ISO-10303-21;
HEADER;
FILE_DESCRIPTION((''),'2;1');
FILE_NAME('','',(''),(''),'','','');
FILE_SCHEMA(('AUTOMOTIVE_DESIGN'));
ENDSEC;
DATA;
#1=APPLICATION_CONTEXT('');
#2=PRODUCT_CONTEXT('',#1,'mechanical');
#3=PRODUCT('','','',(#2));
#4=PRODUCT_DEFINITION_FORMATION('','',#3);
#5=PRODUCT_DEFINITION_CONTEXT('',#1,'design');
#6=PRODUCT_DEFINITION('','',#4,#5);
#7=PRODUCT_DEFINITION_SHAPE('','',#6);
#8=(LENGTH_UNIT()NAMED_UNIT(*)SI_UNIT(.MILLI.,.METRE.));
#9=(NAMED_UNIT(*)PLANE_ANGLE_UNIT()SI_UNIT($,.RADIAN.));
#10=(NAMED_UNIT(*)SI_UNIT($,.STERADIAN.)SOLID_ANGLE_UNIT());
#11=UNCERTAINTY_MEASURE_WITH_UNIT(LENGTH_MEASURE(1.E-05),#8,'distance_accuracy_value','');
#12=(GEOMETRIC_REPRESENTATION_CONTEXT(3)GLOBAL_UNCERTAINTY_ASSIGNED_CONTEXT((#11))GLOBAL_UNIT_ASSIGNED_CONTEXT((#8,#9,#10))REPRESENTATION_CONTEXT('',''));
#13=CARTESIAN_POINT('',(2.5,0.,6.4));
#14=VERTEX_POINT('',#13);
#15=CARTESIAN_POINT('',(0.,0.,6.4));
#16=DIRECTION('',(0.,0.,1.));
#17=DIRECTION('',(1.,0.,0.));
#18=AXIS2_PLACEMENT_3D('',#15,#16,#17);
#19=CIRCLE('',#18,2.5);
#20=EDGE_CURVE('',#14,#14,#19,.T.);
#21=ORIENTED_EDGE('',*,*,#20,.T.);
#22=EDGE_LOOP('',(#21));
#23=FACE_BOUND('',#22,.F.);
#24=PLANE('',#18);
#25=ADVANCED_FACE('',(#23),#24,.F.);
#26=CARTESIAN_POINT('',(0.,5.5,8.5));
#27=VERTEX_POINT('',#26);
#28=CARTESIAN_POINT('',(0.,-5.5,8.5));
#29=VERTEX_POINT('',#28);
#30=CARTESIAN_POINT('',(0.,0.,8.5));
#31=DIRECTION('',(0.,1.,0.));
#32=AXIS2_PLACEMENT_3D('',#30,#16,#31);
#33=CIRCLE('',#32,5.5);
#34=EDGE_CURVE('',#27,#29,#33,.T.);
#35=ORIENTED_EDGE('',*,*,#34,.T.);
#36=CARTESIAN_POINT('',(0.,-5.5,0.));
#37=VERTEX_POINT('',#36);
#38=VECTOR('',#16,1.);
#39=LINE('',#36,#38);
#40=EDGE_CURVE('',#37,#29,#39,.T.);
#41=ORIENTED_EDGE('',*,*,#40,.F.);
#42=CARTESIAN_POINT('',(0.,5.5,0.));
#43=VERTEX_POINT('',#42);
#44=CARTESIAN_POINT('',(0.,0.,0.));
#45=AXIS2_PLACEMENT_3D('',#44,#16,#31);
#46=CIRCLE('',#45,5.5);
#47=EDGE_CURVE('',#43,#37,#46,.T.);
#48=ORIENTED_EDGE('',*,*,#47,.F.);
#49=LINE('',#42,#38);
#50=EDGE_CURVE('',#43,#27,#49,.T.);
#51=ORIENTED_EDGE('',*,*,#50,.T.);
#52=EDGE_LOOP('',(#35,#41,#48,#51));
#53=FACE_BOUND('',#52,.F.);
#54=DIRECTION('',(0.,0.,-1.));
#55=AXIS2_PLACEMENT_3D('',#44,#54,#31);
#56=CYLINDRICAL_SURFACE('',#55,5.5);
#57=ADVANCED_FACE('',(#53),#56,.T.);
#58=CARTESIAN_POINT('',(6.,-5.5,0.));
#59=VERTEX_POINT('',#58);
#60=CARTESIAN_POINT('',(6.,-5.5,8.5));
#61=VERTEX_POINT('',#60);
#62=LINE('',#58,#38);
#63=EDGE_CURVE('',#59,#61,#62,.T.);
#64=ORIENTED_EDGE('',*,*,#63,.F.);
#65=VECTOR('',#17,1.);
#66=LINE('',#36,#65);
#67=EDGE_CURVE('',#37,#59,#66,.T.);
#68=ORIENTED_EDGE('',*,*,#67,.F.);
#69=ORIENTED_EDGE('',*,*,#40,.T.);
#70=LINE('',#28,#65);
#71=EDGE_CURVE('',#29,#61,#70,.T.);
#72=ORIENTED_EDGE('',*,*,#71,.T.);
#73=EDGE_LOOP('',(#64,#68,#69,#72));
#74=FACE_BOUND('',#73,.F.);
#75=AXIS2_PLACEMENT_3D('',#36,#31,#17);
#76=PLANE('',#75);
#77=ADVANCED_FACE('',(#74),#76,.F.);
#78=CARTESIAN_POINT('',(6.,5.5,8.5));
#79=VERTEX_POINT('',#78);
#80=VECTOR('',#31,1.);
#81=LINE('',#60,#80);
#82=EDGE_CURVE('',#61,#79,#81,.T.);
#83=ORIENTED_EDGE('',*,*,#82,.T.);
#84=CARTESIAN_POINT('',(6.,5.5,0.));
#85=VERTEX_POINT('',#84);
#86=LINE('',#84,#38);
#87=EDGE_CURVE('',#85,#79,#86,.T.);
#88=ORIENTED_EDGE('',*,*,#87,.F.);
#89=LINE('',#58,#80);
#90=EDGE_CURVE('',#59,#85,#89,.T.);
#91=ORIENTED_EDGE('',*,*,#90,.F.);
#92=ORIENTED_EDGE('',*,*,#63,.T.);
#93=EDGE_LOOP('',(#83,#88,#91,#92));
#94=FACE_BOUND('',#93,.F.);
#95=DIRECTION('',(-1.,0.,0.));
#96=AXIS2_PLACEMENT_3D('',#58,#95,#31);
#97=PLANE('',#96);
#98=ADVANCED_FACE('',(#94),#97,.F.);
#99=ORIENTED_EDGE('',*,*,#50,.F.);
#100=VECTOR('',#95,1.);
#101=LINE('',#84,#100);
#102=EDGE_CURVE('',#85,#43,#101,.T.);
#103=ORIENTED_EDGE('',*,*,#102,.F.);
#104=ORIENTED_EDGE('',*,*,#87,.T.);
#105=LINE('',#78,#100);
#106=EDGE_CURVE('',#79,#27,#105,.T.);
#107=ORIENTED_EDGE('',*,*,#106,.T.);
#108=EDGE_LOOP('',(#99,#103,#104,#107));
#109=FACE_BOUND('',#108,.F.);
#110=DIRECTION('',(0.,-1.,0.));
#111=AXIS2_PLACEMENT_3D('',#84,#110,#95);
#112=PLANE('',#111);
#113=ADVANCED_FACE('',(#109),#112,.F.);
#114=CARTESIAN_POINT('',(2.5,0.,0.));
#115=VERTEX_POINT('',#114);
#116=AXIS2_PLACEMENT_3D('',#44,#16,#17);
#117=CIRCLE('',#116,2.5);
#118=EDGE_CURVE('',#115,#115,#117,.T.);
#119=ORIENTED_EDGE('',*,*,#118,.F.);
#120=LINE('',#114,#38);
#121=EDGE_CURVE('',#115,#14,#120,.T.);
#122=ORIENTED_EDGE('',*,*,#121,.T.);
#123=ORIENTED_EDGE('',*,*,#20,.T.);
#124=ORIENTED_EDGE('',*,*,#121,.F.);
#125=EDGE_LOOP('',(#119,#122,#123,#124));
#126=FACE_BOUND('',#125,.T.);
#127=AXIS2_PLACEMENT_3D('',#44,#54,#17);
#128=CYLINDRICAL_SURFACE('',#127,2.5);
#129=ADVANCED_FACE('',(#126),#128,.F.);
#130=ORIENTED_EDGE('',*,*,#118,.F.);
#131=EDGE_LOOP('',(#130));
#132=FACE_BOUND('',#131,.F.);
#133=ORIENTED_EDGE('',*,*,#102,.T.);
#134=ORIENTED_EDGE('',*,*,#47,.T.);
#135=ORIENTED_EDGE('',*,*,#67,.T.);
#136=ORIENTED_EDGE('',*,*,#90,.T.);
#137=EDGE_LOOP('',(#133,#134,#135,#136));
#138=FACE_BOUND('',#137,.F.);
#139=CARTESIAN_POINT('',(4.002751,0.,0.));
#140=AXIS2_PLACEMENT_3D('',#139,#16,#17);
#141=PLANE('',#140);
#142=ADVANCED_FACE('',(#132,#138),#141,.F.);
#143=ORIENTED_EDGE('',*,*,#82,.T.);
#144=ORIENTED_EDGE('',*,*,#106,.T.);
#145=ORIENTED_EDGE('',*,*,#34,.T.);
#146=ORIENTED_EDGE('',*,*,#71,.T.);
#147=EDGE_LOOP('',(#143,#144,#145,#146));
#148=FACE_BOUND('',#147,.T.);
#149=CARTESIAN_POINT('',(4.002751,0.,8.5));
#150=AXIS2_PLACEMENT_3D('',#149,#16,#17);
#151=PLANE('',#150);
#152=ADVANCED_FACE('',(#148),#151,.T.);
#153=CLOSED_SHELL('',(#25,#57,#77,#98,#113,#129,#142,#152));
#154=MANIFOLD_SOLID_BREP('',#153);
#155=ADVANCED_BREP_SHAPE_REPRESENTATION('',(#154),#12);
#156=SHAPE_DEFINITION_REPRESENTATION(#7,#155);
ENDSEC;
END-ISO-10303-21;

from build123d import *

# Parameters (mm, degrees)
F1_DEPTH = 8.5
F2_R     = 2.5
F3_DEPTH = 6.4


with BuildPart() as f1:
    # F0 (on Top) → F1 (new body)
    with BuildSketch(Plane.XY):
        with BuildLine():
            ThreePointArc((0, 5.5), (3.889087, 3.889087), (5.5, 0))
            ThreePointArc((5.5, 0), (3.889087, -3.889087), (0, -5.5))
            Line((0, -5.5), (6, -5.5))
            Line((6, -5.5), (6, 5.5))
            Line((6, 5.5), (0, 5.5))
        make_face()
        with BuildLine():
            ThreePointArc((0, -5.5), (3.889087, -3.889087), (5.5, 0))
            ThreePointArc((5.5, 0), (3.889087, 3.889087), (0, 5.5))
            ThreePointArc((0, 5.5), (-5.5, 0), (0, -5.5))
        make_face()
    extrude(amount=F1_DEPTH)

    # F2 (on Top) → F3 (cut)
    with BuildSketch(Plane.XY):
        Circle(F2_R)
    extrude(amount=F3_DEPTH, mode=Mode.SUBTRACT)


solid = f1.part
